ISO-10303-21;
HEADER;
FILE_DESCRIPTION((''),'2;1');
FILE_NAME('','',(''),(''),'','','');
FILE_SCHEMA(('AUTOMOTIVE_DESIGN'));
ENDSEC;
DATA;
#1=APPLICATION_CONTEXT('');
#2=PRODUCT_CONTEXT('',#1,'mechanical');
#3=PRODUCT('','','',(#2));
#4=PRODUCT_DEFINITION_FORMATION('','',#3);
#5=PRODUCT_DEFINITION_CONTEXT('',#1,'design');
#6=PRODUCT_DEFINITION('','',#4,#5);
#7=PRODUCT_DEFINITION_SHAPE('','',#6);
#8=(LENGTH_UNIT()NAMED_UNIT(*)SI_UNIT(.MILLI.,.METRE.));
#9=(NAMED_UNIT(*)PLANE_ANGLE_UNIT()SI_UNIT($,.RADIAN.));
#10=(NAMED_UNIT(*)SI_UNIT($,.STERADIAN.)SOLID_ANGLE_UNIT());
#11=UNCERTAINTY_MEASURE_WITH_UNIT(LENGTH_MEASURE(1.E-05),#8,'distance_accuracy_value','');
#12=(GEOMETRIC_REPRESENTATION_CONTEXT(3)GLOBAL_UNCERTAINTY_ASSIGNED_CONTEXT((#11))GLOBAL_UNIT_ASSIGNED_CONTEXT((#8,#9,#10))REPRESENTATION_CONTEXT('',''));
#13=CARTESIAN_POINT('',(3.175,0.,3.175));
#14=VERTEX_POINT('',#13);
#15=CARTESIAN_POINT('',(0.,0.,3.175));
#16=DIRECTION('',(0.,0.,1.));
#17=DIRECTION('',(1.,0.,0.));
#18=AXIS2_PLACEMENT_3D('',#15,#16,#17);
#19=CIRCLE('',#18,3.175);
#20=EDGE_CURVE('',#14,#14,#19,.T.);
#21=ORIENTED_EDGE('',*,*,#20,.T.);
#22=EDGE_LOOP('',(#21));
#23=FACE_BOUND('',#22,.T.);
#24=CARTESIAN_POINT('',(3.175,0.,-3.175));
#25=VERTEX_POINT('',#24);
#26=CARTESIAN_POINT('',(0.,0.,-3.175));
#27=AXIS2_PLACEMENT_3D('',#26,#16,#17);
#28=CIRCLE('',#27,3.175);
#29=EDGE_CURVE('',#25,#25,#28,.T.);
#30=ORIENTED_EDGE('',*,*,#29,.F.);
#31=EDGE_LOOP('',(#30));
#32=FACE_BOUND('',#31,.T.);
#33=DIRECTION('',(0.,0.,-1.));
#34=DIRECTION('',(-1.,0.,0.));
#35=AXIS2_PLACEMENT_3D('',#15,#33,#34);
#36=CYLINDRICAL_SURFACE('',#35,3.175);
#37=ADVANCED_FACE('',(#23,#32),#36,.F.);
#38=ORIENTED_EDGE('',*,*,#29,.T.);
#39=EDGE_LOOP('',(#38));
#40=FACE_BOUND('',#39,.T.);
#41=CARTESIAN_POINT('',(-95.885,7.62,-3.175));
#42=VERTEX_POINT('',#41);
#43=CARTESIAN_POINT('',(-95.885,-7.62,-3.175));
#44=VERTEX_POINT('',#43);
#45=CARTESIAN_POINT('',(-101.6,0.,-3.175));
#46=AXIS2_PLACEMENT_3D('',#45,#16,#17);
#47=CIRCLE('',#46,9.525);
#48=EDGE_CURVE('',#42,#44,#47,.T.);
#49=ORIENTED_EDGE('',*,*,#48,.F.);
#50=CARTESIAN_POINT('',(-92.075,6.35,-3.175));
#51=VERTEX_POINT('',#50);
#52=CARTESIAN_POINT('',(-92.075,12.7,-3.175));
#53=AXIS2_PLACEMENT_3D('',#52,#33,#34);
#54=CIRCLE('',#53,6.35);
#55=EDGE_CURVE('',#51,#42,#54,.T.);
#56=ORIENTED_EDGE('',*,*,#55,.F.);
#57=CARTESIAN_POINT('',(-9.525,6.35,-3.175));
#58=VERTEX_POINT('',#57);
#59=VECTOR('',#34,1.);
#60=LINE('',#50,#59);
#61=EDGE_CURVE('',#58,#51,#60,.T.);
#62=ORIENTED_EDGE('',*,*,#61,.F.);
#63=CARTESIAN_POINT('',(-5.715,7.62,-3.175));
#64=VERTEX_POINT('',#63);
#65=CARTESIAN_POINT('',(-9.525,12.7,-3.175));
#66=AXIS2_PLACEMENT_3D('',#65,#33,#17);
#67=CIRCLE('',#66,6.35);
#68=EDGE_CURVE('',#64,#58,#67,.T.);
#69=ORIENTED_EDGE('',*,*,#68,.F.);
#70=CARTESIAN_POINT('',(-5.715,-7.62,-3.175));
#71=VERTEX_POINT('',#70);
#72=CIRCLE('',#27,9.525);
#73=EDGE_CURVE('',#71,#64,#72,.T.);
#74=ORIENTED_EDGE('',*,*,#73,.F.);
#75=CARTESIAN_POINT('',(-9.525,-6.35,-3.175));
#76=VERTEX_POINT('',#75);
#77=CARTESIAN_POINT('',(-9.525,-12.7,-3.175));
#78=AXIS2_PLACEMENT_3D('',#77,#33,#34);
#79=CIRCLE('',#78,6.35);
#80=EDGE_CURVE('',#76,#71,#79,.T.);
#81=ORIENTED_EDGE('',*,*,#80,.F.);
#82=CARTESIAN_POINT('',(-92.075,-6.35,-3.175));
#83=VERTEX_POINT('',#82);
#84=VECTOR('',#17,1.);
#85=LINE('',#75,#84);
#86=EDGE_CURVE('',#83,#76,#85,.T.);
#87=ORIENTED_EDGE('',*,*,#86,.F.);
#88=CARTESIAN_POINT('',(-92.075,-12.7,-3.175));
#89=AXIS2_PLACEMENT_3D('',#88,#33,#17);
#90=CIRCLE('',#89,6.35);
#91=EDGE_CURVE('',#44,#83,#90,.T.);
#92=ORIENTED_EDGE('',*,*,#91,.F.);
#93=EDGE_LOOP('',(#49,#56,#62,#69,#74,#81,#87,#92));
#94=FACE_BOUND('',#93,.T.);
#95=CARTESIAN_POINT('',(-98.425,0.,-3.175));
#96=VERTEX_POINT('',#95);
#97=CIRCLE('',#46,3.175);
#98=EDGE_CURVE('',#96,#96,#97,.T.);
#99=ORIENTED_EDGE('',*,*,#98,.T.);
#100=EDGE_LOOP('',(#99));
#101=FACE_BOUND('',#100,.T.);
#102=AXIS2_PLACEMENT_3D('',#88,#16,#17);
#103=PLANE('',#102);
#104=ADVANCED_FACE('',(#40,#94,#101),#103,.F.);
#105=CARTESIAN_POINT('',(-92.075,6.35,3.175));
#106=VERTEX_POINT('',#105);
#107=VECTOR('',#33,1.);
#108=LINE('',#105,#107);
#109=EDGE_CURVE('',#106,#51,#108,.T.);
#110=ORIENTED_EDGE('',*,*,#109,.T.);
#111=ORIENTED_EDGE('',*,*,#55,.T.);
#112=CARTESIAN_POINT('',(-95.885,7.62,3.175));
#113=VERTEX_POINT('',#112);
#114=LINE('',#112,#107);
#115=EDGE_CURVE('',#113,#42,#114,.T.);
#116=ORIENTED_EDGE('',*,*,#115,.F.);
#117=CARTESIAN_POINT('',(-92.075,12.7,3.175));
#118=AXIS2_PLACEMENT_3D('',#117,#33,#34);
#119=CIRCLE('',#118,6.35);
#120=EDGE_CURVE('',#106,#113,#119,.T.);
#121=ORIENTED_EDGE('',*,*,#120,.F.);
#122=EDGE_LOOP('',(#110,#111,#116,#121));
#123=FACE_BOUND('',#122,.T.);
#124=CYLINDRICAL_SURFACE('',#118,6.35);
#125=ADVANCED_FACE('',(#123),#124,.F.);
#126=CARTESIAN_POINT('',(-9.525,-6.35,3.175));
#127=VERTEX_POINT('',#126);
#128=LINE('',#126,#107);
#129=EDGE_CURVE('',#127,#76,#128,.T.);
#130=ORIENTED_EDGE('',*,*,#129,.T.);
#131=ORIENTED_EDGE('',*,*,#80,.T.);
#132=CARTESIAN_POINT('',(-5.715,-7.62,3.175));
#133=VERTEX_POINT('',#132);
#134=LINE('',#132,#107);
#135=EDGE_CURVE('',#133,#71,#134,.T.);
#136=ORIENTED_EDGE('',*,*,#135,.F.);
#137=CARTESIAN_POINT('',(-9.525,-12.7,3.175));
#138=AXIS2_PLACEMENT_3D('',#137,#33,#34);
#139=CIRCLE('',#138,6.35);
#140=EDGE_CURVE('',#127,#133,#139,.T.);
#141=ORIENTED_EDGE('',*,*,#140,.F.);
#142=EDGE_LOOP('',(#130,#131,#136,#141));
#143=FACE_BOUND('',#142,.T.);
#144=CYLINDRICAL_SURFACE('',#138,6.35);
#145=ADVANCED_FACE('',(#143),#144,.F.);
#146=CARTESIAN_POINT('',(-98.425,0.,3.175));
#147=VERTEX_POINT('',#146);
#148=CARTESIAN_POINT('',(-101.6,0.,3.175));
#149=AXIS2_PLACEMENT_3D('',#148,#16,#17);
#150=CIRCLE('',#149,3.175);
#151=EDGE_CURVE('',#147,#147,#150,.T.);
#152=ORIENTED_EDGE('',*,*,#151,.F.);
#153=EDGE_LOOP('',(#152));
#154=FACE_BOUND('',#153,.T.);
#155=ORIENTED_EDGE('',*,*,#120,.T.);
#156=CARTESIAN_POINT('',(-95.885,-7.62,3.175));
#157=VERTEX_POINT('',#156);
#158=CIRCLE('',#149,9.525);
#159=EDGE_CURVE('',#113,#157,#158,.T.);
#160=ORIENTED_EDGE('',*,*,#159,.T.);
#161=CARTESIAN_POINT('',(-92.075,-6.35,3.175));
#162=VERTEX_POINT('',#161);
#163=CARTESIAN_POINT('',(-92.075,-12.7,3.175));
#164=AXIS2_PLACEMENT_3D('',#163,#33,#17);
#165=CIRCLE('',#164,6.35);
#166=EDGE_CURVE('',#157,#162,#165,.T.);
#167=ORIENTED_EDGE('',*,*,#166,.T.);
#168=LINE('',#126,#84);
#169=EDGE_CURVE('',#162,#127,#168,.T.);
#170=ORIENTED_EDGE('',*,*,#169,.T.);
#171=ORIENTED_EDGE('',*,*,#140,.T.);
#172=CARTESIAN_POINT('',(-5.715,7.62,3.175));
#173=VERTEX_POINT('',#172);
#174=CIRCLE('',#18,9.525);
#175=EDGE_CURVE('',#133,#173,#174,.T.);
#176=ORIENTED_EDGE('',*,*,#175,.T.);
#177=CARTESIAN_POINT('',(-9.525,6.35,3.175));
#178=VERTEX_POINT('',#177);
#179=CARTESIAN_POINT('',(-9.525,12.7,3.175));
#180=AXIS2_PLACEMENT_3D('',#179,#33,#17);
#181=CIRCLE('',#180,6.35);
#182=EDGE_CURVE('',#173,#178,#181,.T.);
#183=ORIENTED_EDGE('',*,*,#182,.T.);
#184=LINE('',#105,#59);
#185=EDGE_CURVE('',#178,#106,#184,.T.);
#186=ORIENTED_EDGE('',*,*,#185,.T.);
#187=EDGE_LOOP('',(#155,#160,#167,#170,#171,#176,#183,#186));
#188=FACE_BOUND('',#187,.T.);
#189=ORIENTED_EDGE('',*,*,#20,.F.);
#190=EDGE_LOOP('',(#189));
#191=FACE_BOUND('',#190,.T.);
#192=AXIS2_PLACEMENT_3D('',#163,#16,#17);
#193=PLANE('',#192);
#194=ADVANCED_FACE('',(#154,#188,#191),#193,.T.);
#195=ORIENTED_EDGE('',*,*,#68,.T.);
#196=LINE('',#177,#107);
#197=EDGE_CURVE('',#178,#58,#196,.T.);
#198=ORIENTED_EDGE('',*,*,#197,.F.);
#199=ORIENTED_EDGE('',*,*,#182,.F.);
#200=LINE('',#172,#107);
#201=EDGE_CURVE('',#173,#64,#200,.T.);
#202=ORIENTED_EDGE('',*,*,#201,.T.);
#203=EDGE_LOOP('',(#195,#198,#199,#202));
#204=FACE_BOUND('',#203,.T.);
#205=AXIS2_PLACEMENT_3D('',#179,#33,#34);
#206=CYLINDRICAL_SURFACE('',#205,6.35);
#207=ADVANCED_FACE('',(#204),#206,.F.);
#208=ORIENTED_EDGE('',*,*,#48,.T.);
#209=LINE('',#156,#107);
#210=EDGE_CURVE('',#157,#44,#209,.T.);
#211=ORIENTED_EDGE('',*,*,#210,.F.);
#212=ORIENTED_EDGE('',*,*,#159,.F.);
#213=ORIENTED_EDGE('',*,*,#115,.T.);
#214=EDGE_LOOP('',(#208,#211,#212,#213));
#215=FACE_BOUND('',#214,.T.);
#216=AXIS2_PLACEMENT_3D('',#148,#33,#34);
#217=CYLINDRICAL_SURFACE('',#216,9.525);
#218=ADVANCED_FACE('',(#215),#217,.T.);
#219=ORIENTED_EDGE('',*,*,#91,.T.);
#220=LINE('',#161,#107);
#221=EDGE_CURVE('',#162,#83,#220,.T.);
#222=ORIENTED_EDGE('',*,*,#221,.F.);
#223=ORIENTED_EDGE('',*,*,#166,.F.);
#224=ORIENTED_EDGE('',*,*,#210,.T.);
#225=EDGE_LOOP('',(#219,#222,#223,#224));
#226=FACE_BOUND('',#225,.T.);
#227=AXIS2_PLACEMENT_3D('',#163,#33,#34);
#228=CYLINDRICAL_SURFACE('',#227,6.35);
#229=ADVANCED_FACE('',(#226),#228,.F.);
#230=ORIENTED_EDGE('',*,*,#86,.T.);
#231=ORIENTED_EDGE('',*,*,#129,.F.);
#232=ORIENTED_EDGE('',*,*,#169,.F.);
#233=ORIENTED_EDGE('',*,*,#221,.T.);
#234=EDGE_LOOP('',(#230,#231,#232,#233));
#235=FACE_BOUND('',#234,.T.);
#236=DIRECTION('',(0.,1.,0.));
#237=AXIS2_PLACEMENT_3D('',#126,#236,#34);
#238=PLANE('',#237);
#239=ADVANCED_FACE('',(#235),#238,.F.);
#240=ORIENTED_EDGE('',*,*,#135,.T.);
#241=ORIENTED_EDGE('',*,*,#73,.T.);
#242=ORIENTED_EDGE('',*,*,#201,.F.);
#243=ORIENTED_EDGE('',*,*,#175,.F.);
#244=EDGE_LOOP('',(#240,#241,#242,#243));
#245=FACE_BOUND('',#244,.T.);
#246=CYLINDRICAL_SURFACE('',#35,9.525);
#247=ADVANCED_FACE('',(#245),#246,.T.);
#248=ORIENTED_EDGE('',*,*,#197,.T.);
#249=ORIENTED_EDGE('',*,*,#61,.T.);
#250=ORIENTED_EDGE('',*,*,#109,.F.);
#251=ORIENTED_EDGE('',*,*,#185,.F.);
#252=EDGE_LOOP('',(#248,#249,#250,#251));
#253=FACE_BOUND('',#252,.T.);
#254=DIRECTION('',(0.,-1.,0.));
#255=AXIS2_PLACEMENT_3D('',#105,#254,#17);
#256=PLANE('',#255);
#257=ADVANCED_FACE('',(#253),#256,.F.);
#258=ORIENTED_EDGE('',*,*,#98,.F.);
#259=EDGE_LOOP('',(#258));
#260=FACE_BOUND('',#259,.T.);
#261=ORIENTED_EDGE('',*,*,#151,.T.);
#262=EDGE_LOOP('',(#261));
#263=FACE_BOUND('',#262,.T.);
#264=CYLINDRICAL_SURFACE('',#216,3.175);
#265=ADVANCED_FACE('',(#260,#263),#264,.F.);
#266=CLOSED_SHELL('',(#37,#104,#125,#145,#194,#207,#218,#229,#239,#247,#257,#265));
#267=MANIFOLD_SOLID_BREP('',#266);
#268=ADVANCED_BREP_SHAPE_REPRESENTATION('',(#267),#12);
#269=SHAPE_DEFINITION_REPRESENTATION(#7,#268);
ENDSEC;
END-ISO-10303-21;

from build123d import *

# Parameters (mm, degrees)
SKETCH1_R           = 3.175
BOSS_EXTRUDE1_DEPTH = 3.175


with BuildPart() as part:
    # Sketch1 → Boss-Extrude1 (new, symmetric)
    with BuildSketch(Plane.XY):
        with BuildLine():
            Line((-92.075, 6.35), (-9.525, 6.35))
            ThreePointArc((-9.525, 6.35), (-7.516953686, 6.675861057), (-5.715, 7.62))
            ThreePointArc((-5.715, 7.62), (9.525, 0), (-5.715, -7.62))
            ThreePointArc((-5.715, -7.62), (-7.516953686, -6.675861057), (-9.525, -6.35))
            Line((-9.525, -6.35), (-92.075, -6.35))
            ThreePointArc((-92.075, -6.35), (-94.083046314, -6.675861057), (-95.885, -7.62))
            ThreePointArc((-95.885, -7.62), (-111.125, 0), (-95.885, 7.62))
            ThreePointArc((-95.885, 7.62), (-94.083046314, 6.675861057), (-92.075, 6.35))
        make_face()
        with Locations((-101.6, 0)):
            Circle(SKETCH1_R, mode=Mode.SUBTRACT)
        Circle(SKETCH1_R, mode=Mode.SUBTRACT)
    extrude(amount=BOSS_EXTRUDE1_DEPTH, both=True)


solid = part.part
